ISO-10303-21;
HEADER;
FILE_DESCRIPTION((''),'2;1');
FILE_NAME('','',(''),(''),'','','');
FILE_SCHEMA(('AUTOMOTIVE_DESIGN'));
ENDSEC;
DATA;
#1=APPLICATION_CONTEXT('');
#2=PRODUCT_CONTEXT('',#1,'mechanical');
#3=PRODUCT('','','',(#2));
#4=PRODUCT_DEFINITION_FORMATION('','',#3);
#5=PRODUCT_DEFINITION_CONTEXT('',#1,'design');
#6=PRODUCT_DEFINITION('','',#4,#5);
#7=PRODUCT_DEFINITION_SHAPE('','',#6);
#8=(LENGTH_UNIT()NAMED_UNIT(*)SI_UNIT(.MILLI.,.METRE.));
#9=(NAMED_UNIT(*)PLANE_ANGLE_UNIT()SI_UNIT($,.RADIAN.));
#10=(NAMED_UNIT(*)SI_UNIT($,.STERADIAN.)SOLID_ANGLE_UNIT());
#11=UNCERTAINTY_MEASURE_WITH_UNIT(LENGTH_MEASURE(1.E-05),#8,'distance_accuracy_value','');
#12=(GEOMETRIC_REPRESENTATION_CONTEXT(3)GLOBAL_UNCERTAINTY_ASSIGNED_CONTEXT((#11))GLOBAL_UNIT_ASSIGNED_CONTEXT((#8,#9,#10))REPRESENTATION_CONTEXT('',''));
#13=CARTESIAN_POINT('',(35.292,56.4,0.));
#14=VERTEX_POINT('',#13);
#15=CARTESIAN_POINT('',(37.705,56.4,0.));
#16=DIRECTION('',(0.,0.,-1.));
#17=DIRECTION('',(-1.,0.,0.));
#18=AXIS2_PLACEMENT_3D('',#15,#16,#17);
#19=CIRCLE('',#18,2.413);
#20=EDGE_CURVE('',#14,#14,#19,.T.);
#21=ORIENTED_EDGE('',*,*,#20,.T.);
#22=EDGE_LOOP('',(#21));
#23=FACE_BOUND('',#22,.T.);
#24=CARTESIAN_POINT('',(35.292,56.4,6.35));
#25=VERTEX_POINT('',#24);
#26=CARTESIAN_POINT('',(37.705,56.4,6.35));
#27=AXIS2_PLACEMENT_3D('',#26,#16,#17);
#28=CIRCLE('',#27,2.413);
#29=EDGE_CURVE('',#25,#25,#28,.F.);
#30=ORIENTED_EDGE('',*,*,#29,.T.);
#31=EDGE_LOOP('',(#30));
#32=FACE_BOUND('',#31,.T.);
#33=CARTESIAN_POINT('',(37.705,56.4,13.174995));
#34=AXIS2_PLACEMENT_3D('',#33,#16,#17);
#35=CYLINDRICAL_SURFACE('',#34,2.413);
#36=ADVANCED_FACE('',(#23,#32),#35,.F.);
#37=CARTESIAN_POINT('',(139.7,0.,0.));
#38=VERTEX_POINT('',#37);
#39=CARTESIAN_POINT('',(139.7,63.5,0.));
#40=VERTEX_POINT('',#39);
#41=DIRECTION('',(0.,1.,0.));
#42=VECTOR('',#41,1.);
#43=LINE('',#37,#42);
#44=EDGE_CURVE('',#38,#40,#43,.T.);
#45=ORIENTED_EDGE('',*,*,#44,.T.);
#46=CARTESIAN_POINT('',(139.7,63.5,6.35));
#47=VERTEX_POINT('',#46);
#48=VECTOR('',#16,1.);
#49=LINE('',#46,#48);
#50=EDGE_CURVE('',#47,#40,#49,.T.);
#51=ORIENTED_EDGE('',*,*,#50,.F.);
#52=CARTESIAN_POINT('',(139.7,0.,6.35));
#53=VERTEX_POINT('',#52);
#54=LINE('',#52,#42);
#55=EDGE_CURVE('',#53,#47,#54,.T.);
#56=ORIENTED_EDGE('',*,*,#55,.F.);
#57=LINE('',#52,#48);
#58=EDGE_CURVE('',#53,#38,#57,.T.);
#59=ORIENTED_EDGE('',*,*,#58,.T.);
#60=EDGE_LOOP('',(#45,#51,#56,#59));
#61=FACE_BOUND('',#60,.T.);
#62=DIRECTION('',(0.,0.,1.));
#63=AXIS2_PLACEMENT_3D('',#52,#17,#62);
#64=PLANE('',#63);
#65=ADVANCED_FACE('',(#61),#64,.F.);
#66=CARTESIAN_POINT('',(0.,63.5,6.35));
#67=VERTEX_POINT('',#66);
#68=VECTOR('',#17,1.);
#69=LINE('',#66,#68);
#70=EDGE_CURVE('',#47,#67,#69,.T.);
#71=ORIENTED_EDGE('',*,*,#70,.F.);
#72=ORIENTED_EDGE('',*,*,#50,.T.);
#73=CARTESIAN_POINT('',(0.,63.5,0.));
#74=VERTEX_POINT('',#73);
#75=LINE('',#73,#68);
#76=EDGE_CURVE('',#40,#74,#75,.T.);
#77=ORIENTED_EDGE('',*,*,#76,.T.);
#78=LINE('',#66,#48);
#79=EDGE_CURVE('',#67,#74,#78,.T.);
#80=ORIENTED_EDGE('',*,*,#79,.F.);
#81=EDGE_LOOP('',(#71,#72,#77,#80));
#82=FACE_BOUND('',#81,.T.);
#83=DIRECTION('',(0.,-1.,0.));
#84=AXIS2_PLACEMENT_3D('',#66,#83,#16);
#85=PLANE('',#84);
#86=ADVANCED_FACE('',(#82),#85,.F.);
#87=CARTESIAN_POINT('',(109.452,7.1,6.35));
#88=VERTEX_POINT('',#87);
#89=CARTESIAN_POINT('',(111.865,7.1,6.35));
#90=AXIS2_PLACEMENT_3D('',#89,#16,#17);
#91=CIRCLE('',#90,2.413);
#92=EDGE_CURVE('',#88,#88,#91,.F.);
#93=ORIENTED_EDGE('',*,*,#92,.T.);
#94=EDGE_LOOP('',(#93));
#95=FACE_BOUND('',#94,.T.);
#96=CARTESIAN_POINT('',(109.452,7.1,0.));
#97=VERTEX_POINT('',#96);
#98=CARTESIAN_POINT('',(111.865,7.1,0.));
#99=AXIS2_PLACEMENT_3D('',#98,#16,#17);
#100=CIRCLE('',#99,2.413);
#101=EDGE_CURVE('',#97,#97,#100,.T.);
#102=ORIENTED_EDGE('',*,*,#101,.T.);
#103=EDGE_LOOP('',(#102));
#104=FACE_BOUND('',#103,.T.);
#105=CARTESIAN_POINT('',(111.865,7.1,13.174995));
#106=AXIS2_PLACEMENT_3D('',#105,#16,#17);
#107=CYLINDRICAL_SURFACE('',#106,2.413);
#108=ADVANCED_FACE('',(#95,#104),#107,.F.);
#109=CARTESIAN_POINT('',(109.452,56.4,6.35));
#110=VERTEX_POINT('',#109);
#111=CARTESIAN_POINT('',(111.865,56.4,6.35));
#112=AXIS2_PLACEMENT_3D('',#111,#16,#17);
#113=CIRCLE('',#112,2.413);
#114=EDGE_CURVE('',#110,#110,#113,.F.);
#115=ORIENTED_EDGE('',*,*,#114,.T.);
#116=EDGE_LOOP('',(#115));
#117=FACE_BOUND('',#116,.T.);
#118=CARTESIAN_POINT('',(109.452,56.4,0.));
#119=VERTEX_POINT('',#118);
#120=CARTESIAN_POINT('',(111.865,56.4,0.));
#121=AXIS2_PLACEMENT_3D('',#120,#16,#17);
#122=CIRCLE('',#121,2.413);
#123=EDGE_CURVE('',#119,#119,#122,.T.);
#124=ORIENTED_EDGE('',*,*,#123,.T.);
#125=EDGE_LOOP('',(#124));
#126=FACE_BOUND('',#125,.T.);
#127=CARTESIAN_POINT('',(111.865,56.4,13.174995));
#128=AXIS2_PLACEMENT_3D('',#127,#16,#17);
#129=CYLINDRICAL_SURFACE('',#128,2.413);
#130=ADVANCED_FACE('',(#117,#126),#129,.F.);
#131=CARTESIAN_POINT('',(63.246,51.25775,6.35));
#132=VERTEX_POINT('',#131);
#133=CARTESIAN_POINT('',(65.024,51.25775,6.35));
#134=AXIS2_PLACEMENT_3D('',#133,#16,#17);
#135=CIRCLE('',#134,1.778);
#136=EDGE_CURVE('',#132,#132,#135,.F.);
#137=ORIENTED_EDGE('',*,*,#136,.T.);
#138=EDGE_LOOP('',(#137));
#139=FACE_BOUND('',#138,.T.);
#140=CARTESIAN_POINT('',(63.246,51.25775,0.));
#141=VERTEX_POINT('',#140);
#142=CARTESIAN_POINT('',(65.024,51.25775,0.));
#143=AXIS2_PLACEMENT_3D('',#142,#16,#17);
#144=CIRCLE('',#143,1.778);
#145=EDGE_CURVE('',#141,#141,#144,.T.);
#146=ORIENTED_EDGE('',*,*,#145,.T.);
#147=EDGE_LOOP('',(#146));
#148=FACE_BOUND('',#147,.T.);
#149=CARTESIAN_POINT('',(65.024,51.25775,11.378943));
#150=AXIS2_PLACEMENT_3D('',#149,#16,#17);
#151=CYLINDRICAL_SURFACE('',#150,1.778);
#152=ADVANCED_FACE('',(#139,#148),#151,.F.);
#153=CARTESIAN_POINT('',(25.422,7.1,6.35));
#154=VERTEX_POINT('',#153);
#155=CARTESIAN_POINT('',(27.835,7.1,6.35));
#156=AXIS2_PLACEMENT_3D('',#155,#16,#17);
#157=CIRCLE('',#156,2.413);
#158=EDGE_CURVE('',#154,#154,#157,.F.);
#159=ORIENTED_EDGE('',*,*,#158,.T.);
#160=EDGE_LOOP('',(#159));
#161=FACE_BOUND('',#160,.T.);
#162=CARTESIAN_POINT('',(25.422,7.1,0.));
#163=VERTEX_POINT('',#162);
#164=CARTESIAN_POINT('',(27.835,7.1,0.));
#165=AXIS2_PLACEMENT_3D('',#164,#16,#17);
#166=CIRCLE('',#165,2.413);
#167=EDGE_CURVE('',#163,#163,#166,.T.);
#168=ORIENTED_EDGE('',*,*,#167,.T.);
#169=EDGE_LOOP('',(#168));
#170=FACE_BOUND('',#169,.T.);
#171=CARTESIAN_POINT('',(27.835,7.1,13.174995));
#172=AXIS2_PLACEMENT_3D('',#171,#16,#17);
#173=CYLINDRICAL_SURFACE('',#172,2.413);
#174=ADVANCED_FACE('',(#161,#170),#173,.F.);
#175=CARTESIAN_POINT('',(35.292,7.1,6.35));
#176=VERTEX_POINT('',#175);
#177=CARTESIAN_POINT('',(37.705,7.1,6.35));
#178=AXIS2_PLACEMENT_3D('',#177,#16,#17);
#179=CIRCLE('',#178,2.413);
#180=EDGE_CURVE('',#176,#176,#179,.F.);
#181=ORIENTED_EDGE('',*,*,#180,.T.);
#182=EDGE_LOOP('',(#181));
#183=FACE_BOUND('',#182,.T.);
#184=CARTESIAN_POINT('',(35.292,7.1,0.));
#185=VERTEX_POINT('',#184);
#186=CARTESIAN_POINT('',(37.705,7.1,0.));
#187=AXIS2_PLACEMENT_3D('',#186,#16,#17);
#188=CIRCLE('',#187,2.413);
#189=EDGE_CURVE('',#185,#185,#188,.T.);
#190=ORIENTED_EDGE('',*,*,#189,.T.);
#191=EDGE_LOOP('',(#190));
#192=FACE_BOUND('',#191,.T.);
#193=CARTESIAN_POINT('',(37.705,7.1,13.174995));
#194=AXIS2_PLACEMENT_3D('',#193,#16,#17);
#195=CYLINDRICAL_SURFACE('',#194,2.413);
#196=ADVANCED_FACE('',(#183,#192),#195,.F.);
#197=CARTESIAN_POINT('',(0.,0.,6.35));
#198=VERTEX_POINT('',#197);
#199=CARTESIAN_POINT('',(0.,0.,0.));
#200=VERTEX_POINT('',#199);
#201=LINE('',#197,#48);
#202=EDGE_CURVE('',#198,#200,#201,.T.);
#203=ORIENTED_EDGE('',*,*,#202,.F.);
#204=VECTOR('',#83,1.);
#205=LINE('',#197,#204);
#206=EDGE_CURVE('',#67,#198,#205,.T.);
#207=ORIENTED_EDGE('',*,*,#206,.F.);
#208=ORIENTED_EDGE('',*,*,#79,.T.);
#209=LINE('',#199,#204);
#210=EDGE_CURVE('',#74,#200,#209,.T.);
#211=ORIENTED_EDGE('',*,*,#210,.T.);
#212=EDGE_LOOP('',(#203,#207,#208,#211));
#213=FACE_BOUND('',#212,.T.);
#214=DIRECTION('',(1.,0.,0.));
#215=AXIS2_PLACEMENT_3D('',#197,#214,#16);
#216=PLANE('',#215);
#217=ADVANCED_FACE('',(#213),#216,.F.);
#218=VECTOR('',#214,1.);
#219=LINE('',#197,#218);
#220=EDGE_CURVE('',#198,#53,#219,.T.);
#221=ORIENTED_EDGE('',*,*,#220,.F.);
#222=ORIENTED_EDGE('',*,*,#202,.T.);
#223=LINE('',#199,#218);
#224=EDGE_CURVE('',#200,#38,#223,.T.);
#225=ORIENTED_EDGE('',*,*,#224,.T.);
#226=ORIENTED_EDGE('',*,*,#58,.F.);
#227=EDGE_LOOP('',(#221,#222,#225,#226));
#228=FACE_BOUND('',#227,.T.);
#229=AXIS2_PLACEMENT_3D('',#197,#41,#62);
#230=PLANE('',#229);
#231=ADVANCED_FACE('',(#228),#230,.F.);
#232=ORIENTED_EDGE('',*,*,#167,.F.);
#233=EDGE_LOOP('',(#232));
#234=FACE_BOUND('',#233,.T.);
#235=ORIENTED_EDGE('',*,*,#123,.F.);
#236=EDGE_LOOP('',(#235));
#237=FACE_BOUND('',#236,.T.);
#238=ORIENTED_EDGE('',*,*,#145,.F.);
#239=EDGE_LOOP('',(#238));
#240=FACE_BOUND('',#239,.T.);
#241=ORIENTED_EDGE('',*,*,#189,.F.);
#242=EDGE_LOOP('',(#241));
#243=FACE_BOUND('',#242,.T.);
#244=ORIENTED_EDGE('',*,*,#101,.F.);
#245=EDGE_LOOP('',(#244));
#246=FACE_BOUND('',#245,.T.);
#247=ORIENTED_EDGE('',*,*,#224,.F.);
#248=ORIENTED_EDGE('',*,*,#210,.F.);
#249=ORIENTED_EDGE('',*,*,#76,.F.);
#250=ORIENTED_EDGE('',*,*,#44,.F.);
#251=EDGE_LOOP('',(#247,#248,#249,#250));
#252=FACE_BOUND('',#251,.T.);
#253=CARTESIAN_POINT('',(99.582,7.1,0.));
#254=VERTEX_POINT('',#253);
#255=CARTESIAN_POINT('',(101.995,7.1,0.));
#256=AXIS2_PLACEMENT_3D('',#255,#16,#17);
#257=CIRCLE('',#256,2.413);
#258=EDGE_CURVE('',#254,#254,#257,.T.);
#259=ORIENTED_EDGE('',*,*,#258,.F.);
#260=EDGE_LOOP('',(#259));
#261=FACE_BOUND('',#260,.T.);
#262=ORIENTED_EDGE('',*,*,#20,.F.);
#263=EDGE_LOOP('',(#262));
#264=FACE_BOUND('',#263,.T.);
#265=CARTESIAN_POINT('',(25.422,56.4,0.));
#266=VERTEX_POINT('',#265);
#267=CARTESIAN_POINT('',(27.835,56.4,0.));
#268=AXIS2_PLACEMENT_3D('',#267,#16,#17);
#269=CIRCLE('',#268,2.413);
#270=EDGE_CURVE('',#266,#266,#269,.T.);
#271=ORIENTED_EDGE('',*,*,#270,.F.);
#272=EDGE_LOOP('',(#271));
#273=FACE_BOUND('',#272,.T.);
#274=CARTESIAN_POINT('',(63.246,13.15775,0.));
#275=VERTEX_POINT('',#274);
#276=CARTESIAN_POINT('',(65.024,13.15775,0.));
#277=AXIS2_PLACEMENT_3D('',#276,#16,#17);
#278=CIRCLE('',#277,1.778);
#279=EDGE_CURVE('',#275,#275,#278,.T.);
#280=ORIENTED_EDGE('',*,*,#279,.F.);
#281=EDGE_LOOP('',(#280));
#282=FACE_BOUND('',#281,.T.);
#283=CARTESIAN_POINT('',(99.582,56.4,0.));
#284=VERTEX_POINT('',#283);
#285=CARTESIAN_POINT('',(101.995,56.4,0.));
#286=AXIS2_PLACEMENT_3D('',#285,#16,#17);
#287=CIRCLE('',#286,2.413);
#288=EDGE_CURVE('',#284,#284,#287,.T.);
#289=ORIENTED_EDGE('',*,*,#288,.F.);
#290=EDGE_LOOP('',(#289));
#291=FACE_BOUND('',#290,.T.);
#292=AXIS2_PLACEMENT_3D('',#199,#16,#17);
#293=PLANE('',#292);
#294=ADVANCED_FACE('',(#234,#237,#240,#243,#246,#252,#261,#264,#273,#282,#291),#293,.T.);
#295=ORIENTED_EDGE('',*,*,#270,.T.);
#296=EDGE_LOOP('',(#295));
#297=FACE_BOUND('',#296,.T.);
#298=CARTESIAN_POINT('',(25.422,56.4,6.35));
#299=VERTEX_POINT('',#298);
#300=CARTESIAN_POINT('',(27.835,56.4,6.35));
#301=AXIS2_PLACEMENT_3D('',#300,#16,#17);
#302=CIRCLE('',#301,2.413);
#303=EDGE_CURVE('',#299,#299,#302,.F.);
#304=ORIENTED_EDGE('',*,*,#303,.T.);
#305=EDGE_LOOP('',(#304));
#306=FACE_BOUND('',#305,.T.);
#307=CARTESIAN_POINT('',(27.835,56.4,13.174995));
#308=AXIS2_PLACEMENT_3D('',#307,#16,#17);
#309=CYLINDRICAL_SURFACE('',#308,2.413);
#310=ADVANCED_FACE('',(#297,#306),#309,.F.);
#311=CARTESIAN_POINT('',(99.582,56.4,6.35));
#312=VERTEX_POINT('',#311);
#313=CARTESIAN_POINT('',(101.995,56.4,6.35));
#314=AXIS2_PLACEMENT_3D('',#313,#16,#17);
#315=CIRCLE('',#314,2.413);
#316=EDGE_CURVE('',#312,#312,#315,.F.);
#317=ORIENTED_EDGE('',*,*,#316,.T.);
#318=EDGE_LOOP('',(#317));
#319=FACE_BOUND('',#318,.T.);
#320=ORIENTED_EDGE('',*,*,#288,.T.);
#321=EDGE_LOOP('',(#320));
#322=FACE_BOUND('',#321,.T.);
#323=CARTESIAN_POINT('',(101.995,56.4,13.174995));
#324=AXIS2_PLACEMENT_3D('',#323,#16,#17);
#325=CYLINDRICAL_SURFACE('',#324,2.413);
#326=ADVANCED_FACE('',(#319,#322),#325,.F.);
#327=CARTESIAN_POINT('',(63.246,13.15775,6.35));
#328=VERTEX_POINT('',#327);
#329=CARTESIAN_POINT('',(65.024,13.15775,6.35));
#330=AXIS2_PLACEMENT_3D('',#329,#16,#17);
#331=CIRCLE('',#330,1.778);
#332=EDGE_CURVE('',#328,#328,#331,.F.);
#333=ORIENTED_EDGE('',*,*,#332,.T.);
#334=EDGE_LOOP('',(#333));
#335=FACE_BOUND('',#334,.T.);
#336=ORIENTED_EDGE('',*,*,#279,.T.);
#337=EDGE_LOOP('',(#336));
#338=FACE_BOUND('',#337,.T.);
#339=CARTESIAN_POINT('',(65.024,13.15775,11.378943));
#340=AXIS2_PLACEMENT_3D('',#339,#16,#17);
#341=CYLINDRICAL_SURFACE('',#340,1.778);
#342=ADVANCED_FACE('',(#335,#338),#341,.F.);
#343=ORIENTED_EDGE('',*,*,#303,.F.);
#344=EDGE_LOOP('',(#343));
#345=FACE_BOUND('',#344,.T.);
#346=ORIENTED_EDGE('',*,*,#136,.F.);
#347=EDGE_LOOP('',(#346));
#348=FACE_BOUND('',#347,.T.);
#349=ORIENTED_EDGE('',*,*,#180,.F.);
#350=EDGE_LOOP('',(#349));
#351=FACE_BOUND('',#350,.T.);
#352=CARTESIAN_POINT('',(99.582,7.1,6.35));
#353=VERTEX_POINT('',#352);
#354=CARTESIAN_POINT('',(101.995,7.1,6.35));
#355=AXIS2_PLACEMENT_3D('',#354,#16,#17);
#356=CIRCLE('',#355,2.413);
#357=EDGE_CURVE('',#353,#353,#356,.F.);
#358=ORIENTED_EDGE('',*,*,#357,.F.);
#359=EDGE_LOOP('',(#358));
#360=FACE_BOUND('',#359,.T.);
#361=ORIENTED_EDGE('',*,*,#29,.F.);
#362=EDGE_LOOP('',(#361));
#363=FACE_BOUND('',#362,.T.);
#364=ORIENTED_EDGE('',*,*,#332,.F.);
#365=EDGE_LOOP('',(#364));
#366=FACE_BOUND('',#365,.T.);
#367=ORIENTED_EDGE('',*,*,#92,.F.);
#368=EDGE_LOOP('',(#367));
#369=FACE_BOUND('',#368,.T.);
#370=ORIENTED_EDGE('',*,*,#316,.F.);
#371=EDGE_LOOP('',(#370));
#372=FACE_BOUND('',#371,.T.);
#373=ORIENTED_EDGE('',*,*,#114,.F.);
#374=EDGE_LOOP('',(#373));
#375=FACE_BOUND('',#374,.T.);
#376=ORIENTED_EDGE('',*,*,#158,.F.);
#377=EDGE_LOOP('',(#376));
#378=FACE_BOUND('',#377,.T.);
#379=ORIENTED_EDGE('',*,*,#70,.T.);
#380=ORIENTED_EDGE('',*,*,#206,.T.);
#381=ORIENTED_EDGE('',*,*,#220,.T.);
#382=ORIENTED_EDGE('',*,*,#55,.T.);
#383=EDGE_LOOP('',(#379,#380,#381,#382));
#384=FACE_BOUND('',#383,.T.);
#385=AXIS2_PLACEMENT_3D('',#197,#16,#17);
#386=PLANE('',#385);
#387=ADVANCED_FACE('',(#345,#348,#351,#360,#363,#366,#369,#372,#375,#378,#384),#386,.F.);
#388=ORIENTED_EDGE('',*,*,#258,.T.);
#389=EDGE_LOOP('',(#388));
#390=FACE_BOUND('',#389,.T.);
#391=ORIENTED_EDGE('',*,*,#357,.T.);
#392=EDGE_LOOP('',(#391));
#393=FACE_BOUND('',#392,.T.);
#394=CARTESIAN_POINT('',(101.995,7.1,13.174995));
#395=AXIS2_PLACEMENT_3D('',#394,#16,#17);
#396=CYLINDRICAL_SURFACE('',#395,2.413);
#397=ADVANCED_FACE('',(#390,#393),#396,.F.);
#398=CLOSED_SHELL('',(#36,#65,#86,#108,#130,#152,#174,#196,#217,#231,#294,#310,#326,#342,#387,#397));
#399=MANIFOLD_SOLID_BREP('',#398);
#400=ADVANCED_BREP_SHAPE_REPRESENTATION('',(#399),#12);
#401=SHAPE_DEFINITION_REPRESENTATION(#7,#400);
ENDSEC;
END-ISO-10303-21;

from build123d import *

# Parameters (mm, degrees)
SKETCH1_W           = 139.7
SKETCH1_H           = 63.5
BOSS_EXTRUDE1_DEPTH = 6.35
SKETCH2_R           = 1.778
CUT_EXTRUDE1_DEPTH  = 6.35
SKETCH3_R           = 2.413
CUT_EXTRUDE2_DEPTH  = 6.35


with BuildPart() as part:
    # Sketch1 → Boss-Extrude1 (new body)
    with BuildSketch(Plane.XY):
        with Locations((69.85, 31.75)):
            Rectangle(SKETCH1_W, SKETCH1_H)
    extrude(amount=BOSS_EXTRUDE1_DEPTH)

    # Sketch2 → Cut-Extrude1 (cut)
    with BuildSketch(Plane(origin=(0, 0, 0), x_dir=(-1, 0, 0), z_dir=(0, 0, -1))):
        with Locations((-65.024, 13.15775)):
            Circle(SKETCH2_R)
        with Locations((-65.024, 51.25775)):
            Circle(SKETCH2_R)
    extrude(amount=-CUT_EXTRUDE1_DEPTH, mode=Mode.SUBTRACT)

    # Sketch3 → Cut-Extrude2 (cut)
    with BuildSketch(Plane(origin=(0, 0, 0), x_dir=(-1, 0, 0), z_dir=(0, 0, -1))):
        with Locations((-111.865, 7.1)):
            Circle(SKETCH3_R)
        with Locations((-101.995, 7.1)):
            Circle(SKETCH3_R)
        with Locations((-111.865, 56.4)):
            Circle(SKETCH3_R)
        with Locations((-101.995, 56.4)):
            Circle(SKETCH3_R)
        with Locations((-37.705, 56.4)):
            Circle(SKETCH3_R)
        with Locations((-27.835, 56.4)):
            Circle(SKETCH3_R)
        with Locations((-27.835, 7.1)):
            Circle(SKETCH3_R)
        with Locations((-37.705, 7.1)):
            Circle(SKETCH3_R)
    extrude(amount=-CUT_EXTRUDE2_DEPTH, mode=Mode.SUBTRACT)


solid = part.part
